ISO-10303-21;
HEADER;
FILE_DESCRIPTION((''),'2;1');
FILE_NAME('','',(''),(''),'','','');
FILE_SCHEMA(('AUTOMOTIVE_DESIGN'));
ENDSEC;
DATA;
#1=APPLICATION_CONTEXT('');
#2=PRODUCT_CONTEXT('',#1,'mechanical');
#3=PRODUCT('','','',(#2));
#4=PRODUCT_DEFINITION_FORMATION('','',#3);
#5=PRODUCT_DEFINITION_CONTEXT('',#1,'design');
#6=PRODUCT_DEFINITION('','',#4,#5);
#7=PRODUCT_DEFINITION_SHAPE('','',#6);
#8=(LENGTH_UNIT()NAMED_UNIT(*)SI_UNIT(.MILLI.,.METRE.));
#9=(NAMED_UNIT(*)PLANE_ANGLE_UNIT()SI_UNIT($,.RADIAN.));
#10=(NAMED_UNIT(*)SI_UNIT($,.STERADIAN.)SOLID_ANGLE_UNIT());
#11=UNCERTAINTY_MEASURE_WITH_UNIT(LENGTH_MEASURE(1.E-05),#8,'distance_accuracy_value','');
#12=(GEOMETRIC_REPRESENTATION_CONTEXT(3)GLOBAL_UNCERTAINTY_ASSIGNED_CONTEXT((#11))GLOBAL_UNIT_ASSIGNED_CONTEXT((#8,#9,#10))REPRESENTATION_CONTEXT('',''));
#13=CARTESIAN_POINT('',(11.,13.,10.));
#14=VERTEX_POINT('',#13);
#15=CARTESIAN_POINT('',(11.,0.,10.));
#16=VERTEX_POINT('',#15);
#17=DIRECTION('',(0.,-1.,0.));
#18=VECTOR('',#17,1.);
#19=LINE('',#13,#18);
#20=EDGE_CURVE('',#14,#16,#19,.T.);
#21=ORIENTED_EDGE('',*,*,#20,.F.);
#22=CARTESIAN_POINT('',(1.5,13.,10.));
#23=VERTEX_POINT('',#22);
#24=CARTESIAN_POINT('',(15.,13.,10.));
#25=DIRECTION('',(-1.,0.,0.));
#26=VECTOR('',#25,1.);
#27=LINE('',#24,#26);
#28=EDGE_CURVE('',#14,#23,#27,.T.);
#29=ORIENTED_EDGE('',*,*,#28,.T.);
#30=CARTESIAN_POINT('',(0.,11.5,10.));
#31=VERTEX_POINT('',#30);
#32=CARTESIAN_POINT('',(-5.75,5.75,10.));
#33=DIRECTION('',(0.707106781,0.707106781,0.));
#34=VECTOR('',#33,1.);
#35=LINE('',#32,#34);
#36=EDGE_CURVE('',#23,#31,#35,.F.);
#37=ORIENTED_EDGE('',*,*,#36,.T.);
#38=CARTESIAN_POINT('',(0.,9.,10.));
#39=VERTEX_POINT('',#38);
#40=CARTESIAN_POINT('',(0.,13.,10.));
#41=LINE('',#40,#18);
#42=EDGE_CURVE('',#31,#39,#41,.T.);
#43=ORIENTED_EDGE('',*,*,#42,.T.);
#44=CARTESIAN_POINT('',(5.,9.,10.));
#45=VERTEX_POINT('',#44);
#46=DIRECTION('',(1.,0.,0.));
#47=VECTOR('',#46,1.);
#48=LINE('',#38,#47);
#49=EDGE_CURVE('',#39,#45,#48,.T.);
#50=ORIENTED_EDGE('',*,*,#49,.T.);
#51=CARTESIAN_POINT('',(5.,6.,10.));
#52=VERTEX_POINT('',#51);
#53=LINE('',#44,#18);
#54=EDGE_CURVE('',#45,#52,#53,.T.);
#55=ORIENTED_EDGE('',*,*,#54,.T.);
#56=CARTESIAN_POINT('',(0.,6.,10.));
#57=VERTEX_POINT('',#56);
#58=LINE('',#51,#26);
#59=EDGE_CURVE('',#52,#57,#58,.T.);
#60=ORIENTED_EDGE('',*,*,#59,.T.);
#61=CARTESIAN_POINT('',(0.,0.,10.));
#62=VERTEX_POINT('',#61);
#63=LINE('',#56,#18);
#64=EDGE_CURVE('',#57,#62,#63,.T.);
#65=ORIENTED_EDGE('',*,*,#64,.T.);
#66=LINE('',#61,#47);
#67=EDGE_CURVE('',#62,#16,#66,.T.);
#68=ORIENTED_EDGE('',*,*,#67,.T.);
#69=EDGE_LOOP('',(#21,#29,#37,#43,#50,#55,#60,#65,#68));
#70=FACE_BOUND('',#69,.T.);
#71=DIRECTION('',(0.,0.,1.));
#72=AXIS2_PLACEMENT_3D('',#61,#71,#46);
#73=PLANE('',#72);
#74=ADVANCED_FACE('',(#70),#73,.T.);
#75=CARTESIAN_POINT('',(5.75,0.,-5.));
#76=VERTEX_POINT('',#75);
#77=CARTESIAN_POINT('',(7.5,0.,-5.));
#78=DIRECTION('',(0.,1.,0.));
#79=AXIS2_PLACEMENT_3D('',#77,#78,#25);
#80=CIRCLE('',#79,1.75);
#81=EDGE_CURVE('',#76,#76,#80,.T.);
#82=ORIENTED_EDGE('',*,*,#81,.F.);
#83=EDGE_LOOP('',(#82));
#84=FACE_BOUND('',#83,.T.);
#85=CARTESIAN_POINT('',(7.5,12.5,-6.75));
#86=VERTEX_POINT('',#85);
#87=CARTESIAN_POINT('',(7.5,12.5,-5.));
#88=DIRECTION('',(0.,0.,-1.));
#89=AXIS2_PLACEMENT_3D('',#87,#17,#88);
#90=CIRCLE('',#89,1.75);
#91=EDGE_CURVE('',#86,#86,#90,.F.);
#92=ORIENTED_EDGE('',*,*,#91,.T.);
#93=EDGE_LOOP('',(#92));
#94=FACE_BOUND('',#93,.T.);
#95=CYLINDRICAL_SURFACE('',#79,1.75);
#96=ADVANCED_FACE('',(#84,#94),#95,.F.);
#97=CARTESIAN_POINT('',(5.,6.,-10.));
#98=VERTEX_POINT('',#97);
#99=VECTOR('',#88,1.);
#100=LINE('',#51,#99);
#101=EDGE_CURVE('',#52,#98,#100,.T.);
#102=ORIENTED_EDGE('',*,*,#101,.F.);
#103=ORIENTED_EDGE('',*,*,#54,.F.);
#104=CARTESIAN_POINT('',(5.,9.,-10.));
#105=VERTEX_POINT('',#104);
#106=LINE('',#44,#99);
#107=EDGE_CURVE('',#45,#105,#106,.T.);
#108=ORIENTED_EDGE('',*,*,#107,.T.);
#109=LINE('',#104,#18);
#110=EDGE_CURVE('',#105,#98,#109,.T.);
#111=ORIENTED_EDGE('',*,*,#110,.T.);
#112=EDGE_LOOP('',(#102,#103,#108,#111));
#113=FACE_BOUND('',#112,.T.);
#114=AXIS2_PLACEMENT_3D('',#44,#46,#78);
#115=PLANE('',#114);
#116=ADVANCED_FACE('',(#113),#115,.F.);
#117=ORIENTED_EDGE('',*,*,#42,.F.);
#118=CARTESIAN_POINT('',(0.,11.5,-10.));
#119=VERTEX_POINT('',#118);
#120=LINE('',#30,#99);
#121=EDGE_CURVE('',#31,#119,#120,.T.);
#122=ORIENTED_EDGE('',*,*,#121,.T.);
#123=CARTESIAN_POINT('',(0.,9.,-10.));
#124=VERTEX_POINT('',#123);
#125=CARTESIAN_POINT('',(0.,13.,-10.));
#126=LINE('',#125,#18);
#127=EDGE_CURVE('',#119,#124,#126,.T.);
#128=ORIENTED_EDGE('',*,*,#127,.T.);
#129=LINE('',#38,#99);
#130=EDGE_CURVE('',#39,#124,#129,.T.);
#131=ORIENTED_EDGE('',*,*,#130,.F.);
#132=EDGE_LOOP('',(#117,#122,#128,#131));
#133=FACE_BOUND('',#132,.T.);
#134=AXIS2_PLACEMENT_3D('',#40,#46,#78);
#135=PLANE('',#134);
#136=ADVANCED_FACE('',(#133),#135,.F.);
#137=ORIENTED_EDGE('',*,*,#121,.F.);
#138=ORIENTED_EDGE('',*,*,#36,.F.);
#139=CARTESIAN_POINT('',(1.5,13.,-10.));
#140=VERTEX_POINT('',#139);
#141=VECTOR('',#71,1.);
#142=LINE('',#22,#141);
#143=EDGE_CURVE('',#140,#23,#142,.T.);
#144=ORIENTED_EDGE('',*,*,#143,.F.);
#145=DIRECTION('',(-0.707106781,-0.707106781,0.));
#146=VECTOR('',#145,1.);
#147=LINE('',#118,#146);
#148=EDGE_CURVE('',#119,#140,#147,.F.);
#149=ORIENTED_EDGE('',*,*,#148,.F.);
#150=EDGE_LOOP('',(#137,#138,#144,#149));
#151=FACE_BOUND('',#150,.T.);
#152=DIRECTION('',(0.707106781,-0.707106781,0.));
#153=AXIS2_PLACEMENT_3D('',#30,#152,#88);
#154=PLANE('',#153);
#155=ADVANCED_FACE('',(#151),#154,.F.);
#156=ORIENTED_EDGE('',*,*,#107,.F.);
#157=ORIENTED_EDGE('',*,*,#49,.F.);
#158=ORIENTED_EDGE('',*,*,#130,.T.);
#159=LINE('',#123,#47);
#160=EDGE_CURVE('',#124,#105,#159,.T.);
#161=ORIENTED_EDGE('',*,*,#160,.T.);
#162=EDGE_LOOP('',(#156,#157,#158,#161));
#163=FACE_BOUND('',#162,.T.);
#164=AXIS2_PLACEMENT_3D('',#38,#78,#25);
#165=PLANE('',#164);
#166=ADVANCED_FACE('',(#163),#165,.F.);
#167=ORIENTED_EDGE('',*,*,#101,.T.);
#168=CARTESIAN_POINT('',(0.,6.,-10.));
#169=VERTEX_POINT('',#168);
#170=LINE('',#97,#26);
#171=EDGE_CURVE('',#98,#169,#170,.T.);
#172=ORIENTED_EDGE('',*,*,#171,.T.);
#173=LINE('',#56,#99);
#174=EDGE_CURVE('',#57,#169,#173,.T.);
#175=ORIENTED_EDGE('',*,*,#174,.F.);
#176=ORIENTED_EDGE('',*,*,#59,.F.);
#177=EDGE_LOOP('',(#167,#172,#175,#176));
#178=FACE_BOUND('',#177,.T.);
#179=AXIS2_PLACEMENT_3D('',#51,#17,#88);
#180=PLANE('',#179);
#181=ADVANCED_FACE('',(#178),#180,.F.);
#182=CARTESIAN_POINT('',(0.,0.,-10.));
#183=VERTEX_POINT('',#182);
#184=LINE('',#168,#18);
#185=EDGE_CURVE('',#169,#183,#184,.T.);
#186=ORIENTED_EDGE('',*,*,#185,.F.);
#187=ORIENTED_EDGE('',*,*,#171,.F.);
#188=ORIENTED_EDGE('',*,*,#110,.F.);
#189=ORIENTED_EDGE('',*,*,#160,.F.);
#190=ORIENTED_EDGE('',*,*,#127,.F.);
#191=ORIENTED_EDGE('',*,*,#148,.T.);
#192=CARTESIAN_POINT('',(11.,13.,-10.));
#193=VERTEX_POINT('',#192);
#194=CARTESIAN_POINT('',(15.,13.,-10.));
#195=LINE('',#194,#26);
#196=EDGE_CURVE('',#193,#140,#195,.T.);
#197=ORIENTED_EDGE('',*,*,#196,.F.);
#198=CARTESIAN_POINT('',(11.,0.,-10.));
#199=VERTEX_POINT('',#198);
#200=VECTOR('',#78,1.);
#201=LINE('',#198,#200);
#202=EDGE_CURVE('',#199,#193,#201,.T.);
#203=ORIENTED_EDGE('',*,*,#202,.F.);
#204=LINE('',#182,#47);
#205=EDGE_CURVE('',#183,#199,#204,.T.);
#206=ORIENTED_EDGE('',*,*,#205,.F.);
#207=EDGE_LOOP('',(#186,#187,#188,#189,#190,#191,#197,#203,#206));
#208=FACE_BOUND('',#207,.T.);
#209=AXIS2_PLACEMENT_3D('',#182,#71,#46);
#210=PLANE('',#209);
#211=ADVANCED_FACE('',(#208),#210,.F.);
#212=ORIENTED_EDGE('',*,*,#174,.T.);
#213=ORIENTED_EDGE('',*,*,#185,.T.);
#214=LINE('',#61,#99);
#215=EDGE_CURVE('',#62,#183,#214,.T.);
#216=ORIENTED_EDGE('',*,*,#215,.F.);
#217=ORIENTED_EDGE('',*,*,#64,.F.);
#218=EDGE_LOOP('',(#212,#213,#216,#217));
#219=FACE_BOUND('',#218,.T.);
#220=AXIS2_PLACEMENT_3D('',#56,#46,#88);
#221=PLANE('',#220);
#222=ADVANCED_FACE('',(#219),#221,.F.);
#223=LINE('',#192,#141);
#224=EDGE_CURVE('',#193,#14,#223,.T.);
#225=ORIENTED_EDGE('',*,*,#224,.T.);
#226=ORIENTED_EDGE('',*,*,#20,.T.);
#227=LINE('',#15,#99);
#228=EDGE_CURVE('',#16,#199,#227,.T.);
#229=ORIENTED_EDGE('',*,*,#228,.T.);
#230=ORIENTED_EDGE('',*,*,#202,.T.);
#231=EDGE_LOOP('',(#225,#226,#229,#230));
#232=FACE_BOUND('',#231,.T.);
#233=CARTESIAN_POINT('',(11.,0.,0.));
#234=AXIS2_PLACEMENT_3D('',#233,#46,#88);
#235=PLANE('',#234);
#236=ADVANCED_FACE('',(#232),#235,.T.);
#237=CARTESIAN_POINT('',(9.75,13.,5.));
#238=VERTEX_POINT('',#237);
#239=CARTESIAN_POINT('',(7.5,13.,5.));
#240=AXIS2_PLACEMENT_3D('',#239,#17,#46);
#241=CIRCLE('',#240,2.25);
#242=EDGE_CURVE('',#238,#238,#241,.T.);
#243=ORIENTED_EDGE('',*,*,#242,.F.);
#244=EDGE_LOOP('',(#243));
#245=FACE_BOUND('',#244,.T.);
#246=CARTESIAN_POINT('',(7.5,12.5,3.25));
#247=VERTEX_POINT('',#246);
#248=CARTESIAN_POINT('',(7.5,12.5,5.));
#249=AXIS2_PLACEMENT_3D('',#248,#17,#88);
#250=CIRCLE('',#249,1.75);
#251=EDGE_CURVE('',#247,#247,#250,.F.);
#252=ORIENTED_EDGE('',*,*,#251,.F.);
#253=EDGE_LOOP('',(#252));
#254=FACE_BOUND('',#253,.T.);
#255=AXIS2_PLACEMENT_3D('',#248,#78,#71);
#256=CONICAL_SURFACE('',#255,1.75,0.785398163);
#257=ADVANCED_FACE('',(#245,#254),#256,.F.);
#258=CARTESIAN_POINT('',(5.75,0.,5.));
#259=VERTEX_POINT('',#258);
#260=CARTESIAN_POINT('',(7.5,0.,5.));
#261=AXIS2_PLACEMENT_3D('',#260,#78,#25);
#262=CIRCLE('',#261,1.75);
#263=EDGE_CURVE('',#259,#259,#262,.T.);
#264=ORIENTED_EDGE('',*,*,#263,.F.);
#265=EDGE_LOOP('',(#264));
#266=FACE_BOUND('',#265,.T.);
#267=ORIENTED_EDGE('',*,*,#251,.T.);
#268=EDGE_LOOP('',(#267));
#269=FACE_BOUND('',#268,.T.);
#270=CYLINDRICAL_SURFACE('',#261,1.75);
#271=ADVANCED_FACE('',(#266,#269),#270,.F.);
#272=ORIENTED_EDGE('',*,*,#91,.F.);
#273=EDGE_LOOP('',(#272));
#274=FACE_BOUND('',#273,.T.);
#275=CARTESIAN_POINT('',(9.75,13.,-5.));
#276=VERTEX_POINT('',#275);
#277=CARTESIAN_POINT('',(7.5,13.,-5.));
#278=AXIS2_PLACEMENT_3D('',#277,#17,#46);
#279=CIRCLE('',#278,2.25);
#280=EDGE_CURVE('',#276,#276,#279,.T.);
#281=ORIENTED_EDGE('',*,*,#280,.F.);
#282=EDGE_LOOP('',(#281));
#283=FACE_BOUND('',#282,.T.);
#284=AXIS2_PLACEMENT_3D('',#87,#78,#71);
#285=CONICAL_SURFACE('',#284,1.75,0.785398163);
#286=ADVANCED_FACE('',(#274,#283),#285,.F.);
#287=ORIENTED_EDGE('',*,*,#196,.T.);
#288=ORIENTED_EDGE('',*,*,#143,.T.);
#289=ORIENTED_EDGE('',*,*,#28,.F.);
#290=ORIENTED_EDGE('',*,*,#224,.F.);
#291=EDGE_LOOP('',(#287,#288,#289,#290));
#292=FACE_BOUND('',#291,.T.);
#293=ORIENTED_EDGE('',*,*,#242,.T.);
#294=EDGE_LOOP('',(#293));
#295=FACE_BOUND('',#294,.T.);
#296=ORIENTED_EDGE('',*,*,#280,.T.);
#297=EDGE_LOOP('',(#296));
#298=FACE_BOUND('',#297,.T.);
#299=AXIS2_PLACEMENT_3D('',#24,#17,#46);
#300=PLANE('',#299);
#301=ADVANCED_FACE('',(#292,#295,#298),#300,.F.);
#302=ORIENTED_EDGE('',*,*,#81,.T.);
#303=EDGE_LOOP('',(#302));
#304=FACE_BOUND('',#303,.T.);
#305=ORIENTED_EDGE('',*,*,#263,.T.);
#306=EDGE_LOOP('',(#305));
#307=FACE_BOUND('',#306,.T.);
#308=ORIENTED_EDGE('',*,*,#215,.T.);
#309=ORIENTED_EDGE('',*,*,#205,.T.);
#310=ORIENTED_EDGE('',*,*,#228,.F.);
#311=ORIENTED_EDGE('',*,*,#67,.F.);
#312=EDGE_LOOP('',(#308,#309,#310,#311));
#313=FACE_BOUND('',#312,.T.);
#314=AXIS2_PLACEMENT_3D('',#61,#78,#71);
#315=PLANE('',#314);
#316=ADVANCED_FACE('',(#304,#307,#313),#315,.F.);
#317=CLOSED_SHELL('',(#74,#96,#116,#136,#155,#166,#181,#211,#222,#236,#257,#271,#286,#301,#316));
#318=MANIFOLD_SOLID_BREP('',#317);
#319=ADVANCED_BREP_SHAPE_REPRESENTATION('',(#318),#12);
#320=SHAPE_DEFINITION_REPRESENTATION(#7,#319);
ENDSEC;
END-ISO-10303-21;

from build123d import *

# Parameters (mm, degrees)
BOSS_EXTRUDE1_DEPTH = 10
SKETCH2_R           = 1.75
CUT_EXTRUDE1_DEPTH  = 14
CHAMFER1_SIZE       = 1.5
SKETCH3_W           = 5
SKETCH3_H           = 13
CUT_EXTRUDE2_DEPTH  = 21
SKETCH4_W           = 20
SKETCH4_H           = 13
BOSS_EXTRUDE2_DEPTH = 1
CHAMFER3_SIZE       = 0.5


with BuildPart() as part:
    # Sketch1 → Boss-Extrude1 (new body, symmetric)
    with BuildSketch(Plane.XY):
        Polygon((0, 0), (15, 0), (15, 6), (10, 6), (10, 9), (15, 9), (15, 13), (0, 13), (0, 9), (5, 9), (5, 6), (0, 6), align=None)
    extrude(amount=BOSS_EXTRUDE1_DEPTH, both=True)

    # Sketch2 → Cut-Extrude1 (cut, through all)
    with BuildSketch(Plane(origin=(0, 13, 0), x_dir=(1, 0, 0), z_dir=(0, 1, 0))):
        with Locations((7.5, -5)):
            Circle(SKETCH2_R)
        with Locations((7.5, 5)):
            Circle(SKETCH2_R)
    extrude(amount=-CUT_EXTRUDE1_DEPTH, mode=Mode.SUBTRACT)

    # Chamfer1
    chamfer1_edges = [part.edges().sort_by_distance(p)[0] for p in [
        (0, 13, 0),
        (15, 13, 0),
    ]]
    chamfer(chamfer1_edges, length=CHAMFER1_SIZE)

    # Sketch3 → Cut-Extrude2 (cut, through all)
    with BuildSketch(Plane.XY.offset(10)):
        with Locations((12.5, 6.5)):
            Rectangle(SKETCH3_W, SKETCH3_H)
    extrude(amount=-CUT_EXTRUDE2_DEPTH, mode=Mode.SUBTRACT)

    # Sketch4 → Boss-Extrude2 (add)
    with BuildSketch(Plane(origin=(10, 0, 0), x_dir=(0, 0, -1), z_dir=(1, 0, 0))):
        with Locations((0, 6.5)):
            Rectangle(SKETCH4_W, SKETCH4_H)
    extrude(amount=BOSS_EXTRUDE2_DEPTH)

    # Chamfer3
    chamfer3_edges = [part.edges().sort_by_distance(p)[0] for p in [
        (5.75, 13, 5),
        (5.75, 13, -5),
    ]]
    chamfer(chamfer3_edges, length=CHAMFER3_SIZE)


solid = part.part
